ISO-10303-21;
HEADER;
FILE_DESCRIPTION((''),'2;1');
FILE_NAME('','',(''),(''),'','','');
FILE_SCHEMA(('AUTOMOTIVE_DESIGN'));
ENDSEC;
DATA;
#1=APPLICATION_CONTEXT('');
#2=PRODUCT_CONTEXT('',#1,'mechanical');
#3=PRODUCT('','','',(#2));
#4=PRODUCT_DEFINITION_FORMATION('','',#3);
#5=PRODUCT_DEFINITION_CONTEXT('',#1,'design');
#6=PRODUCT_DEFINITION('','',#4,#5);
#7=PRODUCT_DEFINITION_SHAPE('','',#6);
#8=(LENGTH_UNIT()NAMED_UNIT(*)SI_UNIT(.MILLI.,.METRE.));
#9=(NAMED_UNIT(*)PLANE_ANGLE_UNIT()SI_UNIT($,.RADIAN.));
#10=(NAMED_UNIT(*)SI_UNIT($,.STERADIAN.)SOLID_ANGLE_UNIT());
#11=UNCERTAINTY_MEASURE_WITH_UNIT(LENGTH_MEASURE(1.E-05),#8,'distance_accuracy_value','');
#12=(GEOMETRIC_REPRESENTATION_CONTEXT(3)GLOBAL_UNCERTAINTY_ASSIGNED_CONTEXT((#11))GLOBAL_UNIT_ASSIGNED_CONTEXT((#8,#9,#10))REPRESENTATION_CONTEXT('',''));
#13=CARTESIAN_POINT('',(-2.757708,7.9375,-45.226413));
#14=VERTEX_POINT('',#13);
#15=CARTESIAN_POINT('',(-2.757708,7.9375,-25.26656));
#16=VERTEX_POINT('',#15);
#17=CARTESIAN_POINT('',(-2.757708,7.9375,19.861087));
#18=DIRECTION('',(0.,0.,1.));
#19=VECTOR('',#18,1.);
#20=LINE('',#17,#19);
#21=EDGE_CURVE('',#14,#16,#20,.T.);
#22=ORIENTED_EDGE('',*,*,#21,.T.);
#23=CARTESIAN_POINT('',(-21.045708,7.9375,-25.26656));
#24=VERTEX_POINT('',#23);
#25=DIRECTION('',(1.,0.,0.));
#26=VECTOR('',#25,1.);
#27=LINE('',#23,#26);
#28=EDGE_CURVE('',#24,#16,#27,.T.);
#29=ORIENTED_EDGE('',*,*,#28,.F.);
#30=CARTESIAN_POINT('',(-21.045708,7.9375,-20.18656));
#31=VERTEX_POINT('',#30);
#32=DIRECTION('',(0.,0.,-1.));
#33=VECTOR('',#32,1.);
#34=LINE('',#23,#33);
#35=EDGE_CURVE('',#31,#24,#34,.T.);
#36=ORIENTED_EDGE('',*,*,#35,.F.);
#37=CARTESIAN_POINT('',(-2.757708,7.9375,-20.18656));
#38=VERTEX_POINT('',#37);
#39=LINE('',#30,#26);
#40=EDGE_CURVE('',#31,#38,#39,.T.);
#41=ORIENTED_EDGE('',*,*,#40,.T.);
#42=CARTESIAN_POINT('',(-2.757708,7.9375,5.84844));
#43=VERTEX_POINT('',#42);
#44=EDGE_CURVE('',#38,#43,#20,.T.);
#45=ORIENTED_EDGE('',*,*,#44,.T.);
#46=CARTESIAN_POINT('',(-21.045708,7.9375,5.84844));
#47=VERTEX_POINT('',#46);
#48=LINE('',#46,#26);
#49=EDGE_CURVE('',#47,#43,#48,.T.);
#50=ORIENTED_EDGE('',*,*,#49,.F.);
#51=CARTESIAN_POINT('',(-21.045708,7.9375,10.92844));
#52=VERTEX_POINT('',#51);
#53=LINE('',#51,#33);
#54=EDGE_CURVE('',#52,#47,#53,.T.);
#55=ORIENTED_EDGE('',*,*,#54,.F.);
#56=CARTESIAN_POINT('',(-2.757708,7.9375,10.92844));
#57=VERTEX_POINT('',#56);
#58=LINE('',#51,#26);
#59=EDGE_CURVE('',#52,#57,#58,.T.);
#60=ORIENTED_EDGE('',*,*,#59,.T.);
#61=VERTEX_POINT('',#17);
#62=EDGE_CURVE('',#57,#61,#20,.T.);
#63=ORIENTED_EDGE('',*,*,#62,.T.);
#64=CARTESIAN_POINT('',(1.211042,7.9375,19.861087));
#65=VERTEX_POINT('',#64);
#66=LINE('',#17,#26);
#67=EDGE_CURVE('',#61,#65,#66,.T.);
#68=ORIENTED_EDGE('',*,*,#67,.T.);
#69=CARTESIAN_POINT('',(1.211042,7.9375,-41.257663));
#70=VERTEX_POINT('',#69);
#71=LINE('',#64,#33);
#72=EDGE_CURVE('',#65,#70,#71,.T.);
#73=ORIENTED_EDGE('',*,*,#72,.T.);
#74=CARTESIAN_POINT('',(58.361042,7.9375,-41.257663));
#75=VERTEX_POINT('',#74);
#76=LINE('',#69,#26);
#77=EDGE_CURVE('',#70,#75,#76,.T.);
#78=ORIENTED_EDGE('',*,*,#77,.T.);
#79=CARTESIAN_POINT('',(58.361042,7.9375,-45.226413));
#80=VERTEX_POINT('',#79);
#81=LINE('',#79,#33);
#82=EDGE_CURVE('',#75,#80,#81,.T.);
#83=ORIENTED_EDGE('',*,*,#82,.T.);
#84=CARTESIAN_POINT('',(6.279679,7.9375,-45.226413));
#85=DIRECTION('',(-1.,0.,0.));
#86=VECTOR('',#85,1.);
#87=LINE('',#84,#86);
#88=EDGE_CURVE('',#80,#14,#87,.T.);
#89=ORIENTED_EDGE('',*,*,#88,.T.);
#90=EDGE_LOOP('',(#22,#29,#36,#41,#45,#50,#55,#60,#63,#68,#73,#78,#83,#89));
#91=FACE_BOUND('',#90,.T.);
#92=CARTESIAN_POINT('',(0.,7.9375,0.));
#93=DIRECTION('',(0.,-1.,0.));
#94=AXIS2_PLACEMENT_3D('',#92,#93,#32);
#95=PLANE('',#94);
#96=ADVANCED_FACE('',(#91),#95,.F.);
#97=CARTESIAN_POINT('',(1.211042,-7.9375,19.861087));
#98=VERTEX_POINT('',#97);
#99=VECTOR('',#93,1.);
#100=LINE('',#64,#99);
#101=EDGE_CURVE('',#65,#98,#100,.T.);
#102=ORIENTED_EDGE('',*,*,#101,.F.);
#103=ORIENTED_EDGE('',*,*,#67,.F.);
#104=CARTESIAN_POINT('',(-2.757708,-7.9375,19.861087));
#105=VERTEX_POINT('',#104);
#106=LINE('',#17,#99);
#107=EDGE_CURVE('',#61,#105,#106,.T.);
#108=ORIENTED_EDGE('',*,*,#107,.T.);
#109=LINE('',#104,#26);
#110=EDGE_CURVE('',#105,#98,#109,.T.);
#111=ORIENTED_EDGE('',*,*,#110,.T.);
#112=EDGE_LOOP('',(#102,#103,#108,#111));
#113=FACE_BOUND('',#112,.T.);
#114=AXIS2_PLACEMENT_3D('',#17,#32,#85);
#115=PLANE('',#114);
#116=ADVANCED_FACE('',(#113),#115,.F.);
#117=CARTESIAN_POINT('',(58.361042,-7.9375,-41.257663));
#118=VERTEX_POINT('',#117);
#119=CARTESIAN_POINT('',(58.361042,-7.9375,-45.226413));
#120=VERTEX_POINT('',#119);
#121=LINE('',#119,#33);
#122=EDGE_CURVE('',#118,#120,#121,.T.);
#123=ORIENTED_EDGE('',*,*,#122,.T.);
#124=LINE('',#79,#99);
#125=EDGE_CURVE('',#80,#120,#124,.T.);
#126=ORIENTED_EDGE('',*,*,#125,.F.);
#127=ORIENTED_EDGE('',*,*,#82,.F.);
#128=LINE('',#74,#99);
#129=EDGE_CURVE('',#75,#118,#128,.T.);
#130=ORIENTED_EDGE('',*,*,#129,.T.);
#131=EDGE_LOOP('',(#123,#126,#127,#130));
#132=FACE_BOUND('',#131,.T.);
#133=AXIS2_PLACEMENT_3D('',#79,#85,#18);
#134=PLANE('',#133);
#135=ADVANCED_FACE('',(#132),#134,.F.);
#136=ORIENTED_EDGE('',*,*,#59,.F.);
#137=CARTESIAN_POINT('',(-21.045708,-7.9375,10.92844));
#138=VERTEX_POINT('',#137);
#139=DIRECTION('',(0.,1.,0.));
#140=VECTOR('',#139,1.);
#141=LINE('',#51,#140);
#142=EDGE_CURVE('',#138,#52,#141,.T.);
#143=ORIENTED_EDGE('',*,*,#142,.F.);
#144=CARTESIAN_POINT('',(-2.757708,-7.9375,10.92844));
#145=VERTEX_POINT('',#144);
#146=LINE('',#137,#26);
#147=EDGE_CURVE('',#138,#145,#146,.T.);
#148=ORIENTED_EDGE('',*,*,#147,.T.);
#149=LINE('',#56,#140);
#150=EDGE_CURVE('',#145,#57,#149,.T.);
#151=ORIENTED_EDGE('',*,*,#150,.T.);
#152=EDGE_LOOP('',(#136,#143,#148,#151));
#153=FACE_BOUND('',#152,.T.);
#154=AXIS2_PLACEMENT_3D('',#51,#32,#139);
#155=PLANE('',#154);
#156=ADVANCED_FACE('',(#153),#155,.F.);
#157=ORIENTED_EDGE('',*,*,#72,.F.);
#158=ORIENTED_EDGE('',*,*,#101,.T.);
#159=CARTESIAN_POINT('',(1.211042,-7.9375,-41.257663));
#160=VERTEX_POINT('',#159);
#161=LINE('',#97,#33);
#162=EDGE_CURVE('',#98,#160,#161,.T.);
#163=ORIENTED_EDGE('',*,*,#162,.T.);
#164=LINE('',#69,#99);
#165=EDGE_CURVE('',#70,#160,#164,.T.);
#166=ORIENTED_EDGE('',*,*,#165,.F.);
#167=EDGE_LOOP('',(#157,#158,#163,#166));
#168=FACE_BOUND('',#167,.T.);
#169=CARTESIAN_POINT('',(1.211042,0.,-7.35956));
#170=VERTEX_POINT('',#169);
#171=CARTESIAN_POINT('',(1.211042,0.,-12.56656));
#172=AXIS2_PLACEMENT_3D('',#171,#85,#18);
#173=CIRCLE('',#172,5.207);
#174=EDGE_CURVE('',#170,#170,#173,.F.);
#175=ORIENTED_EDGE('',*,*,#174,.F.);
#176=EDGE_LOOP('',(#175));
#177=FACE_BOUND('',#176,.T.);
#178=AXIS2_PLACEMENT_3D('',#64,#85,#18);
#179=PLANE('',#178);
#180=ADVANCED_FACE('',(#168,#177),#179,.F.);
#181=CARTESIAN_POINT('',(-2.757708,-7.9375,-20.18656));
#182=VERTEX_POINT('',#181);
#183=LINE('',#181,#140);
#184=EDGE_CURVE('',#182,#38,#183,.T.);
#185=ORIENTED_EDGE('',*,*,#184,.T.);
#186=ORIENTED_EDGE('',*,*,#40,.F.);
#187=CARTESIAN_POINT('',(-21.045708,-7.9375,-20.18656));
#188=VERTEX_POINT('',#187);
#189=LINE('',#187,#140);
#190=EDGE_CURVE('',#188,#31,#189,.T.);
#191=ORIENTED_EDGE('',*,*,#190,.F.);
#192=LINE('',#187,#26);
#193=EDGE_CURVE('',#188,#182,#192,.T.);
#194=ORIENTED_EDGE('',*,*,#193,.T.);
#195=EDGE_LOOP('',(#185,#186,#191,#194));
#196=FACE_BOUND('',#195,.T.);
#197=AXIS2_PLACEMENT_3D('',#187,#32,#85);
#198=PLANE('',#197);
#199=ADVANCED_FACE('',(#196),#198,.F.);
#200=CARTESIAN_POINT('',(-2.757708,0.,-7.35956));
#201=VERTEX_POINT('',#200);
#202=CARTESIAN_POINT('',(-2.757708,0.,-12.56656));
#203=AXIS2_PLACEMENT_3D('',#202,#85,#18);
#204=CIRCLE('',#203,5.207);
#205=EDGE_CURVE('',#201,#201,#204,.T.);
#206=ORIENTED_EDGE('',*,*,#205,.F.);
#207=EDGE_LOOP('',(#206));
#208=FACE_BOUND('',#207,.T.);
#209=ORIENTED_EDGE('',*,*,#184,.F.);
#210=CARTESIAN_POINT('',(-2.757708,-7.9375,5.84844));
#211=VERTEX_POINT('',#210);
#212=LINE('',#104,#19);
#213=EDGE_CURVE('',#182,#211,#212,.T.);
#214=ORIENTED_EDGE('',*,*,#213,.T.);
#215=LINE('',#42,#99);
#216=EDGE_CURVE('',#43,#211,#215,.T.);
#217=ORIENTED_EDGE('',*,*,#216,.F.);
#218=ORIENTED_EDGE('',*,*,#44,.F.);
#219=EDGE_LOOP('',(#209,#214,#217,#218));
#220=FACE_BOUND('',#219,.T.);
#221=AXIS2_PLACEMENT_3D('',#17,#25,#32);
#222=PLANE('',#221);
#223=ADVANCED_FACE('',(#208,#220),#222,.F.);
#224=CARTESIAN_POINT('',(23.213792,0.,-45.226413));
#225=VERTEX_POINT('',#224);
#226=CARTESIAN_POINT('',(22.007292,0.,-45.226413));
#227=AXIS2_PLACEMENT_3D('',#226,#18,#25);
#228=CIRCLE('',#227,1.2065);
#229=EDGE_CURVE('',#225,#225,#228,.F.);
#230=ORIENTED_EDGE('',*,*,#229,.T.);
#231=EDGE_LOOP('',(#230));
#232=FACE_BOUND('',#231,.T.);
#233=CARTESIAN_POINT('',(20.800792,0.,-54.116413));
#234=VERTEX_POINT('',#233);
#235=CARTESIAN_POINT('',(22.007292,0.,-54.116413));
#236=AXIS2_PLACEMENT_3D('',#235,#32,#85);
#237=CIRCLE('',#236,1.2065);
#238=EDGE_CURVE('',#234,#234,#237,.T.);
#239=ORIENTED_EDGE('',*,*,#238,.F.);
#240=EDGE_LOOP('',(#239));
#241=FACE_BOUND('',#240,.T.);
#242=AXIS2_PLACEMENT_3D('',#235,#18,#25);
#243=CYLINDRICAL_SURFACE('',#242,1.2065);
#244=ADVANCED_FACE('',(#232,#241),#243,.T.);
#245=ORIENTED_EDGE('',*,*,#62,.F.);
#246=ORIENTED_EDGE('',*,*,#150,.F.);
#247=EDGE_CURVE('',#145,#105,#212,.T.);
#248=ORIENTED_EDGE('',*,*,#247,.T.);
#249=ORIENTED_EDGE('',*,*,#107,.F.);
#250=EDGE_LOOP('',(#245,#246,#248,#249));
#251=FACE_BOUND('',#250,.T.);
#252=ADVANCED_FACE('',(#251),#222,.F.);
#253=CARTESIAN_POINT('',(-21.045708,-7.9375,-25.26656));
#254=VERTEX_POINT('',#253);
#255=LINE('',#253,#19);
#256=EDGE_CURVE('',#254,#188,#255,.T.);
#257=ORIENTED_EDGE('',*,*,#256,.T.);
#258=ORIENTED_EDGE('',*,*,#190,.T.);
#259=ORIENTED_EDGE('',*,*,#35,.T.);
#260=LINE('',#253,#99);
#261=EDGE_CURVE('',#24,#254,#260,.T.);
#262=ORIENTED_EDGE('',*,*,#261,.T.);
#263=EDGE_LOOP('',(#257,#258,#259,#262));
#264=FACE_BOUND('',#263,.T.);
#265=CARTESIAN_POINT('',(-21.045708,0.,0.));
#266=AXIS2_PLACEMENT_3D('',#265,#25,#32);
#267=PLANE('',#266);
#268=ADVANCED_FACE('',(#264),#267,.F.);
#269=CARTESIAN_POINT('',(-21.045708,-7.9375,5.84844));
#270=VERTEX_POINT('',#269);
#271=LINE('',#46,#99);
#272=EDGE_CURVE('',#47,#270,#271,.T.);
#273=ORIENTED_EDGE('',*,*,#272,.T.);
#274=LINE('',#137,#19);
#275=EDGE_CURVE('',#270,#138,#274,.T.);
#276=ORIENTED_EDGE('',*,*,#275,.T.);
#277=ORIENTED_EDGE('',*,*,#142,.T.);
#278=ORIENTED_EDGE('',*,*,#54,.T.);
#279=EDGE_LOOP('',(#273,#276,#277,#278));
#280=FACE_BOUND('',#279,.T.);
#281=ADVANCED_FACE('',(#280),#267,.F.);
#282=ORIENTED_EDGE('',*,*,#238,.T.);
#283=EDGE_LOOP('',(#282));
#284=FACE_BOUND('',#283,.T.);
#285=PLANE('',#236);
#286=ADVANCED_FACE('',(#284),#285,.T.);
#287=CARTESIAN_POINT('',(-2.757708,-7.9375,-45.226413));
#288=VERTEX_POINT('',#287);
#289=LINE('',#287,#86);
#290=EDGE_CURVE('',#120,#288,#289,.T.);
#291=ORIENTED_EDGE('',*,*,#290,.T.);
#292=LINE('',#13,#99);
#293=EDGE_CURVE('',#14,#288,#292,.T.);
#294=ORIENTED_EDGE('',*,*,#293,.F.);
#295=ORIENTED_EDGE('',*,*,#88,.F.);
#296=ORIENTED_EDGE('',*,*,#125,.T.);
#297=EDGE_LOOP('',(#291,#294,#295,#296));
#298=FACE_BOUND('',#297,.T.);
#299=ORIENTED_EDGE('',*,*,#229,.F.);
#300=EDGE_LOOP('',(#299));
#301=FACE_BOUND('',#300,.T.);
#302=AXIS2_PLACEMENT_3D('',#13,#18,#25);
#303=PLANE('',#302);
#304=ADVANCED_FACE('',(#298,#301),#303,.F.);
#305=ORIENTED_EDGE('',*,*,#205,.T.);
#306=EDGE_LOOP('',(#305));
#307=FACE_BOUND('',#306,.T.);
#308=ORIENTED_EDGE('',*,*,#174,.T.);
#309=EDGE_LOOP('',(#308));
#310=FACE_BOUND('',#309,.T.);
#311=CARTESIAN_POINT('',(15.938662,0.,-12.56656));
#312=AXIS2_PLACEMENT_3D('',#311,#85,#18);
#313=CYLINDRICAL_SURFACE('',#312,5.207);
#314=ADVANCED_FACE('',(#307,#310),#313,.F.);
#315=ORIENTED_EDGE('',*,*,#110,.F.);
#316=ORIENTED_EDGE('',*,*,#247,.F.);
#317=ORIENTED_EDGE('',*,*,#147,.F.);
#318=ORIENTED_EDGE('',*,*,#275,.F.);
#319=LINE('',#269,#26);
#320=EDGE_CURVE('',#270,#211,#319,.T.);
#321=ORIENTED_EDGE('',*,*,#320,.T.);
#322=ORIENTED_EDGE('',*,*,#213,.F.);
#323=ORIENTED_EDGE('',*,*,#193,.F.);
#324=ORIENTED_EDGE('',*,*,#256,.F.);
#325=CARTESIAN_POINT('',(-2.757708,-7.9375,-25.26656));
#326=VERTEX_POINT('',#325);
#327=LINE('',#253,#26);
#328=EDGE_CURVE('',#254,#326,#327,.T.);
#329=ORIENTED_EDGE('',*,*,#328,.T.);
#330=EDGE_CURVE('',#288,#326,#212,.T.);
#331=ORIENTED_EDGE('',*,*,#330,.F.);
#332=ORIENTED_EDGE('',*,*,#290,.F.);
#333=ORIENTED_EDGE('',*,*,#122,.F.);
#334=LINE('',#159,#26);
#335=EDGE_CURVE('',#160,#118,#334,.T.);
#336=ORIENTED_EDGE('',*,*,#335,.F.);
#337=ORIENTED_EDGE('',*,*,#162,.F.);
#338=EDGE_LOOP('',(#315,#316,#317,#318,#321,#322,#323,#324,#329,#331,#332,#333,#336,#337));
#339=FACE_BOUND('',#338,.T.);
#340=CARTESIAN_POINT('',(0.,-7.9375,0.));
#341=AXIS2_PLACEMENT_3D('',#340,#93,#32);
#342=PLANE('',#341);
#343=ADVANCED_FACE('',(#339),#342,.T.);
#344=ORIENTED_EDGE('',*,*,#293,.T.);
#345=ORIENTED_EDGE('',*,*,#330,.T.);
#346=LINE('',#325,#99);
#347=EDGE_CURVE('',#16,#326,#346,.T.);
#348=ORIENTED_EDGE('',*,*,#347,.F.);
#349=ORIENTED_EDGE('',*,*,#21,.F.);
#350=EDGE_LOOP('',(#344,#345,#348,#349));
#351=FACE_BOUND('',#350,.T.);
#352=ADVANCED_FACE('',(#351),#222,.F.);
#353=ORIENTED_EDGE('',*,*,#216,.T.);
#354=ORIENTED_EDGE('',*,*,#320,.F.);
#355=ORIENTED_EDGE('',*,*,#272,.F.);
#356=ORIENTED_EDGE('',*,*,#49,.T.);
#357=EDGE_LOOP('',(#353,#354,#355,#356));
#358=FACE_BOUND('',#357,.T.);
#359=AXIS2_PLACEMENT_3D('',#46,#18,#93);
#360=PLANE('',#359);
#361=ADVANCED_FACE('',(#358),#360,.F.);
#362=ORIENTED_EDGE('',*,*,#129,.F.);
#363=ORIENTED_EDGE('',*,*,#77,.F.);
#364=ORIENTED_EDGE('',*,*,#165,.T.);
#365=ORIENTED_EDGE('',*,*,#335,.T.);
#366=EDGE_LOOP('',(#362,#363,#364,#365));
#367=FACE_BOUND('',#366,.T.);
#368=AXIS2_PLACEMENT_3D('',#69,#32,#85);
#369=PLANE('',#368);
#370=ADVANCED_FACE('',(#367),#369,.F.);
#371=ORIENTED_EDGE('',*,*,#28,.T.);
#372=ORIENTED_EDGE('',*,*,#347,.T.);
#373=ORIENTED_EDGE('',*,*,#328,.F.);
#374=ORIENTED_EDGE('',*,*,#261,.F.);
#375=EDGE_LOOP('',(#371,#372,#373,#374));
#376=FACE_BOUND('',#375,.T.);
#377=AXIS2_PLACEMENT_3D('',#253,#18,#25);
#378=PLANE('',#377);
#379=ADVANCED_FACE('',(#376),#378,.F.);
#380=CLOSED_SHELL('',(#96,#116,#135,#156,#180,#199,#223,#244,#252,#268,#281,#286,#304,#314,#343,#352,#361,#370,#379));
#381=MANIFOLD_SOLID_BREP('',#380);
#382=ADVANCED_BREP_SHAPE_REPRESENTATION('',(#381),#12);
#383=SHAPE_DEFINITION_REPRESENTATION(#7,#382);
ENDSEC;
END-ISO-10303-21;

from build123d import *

# Parameters (mm, degrees)
BOSS_EXTRUDE1_DEPTH = 7.9375
SKETCH3_R           = 5.207
CUT_EXTRUDE1_DEPTH  = 3.96875
SKETCH4_R           = 1.2065
BOSS_EXTRUDE2_DEPTH = 8.89
SKETCH5_W           = 5.08
SKETCH5_H           = 15.875
BOSS_EXTRUDE3_DEPTH = 18.288


with BuildPart() as part:
    # Sketch1 → Boss-Extrude1 (new, symmetric)
    with BuildSketch(Plane(origin=(0, 0, 0), x_dir=(1, 0, 0), z_dir=(0, 1, 0))):
        Polygon((-2.757708096, -19.86108723), (1.211041904, -19.86108723), (1.211041904, 41.25766277), (58.361041904, 41.25766277), (58.361041904, 45.22641277), (6.27967861, 45.22641277), (-2.757708096, 45.22641277), align=None)
    extrude(amount=BOSS_EXTRUDE1_DEPTH, both=True)

    # Sketch3 → Cut-Extrude1 (cut)
    with BuildSketch(Plane.ZY.offset(2.757708096)):
        with Locations((-12.566559842, 0)):
            Circle(SKETCH3_R)
    extrude(amount=-CUT_EXTRUDE1_DEPTH, mode=Mode.SUBTRACT)

    # Sketch4 → Boss-Extrude2 (add)
    with BuildSketch(Plane(origin=(0, 0, -45.22641277), x_dir=(-1, 0, 0), z_dir=(0, 0, -1))):
        with Locations(Location((-22.007291904, 0, 0), (0, 0, 180))):
            Circle(SKETCH4_R)
    extrude(amount=BOSS_EXTRUDE2_DEPTH)

    # Sketch5 → Boss-Extrude3 (add)
    with BuildSketch(Plane.ZY.offset(2.757708096)):
        with Locations((-22.726559842, 0)):
            Rectangle(SKETCH5_W, SKETCH5_H)
        with Locations((8.388440158, 0)):
            Rectangle(SKETCH5_W, SKETCH5_H)
    extrude(amount=BOSS_EXTRUDE3_DEPTH)


solid = part.part
